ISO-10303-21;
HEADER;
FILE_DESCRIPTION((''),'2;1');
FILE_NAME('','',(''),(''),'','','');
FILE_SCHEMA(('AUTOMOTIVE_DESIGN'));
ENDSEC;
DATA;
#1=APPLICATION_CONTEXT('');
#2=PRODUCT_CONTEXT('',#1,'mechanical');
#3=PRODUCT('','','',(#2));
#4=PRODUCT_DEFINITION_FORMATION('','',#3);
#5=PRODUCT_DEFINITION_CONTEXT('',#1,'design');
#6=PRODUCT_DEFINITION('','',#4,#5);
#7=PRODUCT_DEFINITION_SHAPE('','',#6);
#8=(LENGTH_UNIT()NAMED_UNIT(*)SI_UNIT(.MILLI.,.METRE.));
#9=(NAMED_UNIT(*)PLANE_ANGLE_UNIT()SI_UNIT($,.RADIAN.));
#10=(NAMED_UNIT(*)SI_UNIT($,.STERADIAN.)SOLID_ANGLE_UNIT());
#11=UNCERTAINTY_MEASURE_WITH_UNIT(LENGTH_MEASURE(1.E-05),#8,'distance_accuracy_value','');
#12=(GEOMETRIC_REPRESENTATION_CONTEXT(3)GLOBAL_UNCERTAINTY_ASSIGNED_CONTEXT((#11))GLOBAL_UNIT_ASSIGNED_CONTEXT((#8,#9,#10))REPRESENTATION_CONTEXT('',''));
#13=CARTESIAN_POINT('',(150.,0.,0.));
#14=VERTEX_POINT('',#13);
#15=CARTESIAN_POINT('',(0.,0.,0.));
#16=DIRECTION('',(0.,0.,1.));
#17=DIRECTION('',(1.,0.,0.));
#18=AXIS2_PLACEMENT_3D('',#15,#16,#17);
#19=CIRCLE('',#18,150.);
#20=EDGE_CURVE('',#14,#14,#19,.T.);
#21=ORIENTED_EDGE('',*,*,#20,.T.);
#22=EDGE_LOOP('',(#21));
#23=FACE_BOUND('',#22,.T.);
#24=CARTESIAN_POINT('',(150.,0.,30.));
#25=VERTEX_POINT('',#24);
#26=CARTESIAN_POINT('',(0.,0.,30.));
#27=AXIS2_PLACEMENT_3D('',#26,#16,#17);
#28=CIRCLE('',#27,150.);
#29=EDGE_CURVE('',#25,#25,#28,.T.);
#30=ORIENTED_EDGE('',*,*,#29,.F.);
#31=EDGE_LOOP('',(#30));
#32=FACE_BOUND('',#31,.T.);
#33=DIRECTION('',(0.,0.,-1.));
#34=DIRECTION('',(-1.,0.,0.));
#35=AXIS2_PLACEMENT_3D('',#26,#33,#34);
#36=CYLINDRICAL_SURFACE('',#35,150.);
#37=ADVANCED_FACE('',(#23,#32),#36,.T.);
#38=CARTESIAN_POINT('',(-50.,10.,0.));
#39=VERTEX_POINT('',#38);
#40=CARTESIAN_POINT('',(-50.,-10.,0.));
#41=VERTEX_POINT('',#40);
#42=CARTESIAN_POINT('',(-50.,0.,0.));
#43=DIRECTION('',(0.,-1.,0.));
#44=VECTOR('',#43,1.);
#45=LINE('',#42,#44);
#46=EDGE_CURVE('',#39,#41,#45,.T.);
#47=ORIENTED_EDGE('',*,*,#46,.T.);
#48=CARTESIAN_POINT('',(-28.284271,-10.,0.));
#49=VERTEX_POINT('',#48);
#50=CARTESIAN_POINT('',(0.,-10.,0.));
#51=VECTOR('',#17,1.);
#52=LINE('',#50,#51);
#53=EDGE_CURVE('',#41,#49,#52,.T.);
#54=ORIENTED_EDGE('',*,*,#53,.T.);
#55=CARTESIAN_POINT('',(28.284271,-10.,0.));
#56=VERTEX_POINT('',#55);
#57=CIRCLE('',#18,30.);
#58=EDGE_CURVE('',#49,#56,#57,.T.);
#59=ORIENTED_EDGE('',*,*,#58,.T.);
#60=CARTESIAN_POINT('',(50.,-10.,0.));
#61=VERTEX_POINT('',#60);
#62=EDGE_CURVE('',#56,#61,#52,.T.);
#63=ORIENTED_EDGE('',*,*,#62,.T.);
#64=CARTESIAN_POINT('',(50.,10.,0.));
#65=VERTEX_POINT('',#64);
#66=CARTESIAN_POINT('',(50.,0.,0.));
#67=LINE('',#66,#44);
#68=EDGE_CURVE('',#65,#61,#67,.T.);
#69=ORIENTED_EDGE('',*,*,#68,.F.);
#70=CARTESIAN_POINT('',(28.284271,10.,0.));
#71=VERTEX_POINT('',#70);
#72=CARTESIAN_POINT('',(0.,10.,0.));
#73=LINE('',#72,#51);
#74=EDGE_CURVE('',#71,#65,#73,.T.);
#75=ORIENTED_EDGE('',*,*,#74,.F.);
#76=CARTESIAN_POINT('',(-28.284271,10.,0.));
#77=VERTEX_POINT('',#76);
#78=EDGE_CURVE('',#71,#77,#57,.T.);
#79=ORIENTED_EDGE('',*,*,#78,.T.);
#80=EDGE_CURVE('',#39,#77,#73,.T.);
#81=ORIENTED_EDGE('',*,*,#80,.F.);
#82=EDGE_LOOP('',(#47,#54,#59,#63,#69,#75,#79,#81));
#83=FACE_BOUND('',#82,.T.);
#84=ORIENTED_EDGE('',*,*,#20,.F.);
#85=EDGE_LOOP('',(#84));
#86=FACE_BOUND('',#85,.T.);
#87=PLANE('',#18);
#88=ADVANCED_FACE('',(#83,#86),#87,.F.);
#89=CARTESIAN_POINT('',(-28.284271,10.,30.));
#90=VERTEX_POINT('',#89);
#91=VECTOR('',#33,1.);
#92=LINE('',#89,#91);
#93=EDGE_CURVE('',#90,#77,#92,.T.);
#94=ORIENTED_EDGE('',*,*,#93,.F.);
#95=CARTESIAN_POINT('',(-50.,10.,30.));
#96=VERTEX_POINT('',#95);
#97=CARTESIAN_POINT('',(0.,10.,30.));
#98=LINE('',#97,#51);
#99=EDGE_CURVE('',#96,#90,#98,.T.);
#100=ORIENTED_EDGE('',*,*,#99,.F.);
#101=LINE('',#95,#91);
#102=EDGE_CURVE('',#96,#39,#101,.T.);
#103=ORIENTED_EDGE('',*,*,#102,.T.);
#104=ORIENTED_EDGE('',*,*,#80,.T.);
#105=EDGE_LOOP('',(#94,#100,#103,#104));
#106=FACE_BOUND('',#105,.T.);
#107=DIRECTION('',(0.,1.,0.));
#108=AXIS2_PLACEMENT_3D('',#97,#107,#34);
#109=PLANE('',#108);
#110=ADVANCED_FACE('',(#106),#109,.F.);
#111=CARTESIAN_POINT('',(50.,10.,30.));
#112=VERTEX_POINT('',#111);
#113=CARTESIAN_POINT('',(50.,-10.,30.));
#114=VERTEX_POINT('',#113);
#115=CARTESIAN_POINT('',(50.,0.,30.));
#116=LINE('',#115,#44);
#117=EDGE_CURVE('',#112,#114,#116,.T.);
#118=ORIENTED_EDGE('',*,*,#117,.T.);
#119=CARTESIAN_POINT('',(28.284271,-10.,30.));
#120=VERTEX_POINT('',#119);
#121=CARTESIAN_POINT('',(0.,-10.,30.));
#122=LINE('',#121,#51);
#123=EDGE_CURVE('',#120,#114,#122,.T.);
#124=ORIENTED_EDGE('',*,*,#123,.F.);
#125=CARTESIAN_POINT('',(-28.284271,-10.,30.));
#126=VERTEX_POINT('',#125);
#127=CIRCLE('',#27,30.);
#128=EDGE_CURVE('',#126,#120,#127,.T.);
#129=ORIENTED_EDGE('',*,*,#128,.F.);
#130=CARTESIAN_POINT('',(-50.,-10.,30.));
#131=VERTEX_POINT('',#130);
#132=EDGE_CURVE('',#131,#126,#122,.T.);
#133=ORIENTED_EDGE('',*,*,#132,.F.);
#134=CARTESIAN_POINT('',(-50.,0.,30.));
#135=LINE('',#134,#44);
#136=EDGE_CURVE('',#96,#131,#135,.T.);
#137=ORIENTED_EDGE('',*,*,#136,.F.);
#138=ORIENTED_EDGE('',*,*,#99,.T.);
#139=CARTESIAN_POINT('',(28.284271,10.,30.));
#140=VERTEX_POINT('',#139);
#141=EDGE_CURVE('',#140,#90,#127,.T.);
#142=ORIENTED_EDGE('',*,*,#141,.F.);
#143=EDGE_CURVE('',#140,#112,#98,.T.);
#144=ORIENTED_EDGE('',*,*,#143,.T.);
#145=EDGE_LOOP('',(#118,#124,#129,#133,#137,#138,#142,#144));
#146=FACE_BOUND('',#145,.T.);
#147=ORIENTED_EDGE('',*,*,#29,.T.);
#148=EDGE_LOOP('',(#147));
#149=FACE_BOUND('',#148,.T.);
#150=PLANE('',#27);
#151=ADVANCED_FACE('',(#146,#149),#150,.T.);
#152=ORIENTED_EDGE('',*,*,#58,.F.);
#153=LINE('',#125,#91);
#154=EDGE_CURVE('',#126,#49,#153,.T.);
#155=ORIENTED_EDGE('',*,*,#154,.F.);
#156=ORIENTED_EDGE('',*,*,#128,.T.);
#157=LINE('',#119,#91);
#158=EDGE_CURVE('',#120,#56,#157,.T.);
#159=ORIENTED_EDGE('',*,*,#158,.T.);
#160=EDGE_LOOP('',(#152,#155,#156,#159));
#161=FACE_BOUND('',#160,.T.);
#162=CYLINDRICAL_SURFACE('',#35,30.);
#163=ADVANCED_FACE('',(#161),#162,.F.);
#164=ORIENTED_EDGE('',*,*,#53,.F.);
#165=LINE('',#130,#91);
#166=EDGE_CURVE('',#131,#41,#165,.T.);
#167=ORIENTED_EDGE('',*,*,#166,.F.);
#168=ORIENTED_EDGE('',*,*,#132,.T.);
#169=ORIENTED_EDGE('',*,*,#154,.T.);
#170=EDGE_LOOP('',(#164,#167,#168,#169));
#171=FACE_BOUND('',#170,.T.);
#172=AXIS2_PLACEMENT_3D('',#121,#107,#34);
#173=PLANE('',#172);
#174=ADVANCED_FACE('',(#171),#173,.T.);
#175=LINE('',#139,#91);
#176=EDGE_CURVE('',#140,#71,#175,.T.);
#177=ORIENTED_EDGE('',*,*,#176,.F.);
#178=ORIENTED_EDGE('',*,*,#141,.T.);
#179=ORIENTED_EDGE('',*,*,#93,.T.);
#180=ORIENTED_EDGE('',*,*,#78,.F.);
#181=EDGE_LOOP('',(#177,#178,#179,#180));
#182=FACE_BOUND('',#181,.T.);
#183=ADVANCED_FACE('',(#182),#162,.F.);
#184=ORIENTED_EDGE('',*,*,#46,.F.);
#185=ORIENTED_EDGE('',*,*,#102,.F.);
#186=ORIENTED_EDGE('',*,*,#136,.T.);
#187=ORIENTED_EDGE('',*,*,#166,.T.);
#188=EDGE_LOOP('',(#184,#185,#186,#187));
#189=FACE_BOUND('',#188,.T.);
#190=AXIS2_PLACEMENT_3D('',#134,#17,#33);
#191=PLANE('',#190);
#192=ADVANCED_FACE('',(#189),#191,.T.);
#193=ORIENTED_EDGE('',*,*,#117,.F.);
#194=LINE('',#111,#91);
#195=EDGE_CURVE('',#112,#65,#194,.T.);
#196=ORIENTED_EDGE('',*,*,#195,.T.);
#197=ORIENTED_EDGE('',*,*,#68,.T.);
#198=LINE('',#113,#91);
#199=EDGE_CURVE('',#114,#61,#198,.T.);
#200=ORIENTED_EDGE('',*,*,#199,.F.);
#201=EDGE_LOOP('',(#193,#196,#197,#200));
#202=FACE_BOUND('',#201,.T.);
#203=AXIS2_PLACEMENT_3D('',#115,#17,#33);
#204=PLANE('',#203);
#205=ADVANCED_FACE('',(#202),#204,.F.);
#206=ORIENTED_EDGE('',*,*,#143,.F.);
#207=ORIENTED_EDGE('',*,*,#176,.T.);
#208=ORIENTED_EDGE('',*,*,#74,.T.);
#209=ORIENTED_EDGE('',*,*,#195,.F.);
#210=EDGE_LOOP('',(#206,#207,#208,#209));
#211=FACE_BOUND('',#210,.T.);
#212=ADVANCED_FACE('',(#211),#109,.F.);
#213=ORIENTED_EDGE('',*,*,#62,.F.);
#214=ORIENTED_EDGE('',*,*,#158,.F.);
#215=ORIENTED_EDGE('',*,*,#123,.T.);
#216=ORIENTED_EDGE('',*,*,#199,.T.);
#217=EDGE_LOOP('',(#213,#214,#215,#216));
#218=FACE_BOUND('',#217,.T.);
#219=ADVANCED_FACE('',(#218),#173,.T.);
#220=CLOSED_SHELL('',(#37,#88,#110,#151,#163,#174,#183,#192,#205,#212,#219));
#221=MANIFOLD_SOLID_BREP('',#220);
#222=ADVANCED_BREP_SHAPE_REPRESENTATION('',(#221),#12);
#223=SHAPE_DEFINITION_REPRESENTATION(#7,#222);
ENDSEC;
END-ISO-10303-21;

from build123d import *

# Parameters (mm, degrees)
SKETCH1_R           = 150
BOSS_EXTRUDE1_DEPTH = 30


with BuildPart() as part:
    # Sketch1 → Boss-Extrude1 (new body)
    with BuildSketch(Plane.XY):
        Circle(SKETCH1_R)
        with BuildLine():
            Line((-50, -10), (-50, 10))
            Line((-50, 10), (-28.284271247, 10))
            ThreePointArc((-28.284271247, 10), (0, 30), (28.284271247, 10))
            Line((28.284271247, 10), (50, 10))
            Line((50, 10), (50, -10))
            Line((50, -10), (28.284271247, -10))
            ThreePointArc((28.284271247, -10), (0, -30), (-28.284271247, -10))
            Line((-28.284271247, -10), (-50, -10))
        make_face(mode=Mode.SUBTRACT)
    extrude(amount=BOSS_EXTRUDE1_DEPTH)


solid = part.part
